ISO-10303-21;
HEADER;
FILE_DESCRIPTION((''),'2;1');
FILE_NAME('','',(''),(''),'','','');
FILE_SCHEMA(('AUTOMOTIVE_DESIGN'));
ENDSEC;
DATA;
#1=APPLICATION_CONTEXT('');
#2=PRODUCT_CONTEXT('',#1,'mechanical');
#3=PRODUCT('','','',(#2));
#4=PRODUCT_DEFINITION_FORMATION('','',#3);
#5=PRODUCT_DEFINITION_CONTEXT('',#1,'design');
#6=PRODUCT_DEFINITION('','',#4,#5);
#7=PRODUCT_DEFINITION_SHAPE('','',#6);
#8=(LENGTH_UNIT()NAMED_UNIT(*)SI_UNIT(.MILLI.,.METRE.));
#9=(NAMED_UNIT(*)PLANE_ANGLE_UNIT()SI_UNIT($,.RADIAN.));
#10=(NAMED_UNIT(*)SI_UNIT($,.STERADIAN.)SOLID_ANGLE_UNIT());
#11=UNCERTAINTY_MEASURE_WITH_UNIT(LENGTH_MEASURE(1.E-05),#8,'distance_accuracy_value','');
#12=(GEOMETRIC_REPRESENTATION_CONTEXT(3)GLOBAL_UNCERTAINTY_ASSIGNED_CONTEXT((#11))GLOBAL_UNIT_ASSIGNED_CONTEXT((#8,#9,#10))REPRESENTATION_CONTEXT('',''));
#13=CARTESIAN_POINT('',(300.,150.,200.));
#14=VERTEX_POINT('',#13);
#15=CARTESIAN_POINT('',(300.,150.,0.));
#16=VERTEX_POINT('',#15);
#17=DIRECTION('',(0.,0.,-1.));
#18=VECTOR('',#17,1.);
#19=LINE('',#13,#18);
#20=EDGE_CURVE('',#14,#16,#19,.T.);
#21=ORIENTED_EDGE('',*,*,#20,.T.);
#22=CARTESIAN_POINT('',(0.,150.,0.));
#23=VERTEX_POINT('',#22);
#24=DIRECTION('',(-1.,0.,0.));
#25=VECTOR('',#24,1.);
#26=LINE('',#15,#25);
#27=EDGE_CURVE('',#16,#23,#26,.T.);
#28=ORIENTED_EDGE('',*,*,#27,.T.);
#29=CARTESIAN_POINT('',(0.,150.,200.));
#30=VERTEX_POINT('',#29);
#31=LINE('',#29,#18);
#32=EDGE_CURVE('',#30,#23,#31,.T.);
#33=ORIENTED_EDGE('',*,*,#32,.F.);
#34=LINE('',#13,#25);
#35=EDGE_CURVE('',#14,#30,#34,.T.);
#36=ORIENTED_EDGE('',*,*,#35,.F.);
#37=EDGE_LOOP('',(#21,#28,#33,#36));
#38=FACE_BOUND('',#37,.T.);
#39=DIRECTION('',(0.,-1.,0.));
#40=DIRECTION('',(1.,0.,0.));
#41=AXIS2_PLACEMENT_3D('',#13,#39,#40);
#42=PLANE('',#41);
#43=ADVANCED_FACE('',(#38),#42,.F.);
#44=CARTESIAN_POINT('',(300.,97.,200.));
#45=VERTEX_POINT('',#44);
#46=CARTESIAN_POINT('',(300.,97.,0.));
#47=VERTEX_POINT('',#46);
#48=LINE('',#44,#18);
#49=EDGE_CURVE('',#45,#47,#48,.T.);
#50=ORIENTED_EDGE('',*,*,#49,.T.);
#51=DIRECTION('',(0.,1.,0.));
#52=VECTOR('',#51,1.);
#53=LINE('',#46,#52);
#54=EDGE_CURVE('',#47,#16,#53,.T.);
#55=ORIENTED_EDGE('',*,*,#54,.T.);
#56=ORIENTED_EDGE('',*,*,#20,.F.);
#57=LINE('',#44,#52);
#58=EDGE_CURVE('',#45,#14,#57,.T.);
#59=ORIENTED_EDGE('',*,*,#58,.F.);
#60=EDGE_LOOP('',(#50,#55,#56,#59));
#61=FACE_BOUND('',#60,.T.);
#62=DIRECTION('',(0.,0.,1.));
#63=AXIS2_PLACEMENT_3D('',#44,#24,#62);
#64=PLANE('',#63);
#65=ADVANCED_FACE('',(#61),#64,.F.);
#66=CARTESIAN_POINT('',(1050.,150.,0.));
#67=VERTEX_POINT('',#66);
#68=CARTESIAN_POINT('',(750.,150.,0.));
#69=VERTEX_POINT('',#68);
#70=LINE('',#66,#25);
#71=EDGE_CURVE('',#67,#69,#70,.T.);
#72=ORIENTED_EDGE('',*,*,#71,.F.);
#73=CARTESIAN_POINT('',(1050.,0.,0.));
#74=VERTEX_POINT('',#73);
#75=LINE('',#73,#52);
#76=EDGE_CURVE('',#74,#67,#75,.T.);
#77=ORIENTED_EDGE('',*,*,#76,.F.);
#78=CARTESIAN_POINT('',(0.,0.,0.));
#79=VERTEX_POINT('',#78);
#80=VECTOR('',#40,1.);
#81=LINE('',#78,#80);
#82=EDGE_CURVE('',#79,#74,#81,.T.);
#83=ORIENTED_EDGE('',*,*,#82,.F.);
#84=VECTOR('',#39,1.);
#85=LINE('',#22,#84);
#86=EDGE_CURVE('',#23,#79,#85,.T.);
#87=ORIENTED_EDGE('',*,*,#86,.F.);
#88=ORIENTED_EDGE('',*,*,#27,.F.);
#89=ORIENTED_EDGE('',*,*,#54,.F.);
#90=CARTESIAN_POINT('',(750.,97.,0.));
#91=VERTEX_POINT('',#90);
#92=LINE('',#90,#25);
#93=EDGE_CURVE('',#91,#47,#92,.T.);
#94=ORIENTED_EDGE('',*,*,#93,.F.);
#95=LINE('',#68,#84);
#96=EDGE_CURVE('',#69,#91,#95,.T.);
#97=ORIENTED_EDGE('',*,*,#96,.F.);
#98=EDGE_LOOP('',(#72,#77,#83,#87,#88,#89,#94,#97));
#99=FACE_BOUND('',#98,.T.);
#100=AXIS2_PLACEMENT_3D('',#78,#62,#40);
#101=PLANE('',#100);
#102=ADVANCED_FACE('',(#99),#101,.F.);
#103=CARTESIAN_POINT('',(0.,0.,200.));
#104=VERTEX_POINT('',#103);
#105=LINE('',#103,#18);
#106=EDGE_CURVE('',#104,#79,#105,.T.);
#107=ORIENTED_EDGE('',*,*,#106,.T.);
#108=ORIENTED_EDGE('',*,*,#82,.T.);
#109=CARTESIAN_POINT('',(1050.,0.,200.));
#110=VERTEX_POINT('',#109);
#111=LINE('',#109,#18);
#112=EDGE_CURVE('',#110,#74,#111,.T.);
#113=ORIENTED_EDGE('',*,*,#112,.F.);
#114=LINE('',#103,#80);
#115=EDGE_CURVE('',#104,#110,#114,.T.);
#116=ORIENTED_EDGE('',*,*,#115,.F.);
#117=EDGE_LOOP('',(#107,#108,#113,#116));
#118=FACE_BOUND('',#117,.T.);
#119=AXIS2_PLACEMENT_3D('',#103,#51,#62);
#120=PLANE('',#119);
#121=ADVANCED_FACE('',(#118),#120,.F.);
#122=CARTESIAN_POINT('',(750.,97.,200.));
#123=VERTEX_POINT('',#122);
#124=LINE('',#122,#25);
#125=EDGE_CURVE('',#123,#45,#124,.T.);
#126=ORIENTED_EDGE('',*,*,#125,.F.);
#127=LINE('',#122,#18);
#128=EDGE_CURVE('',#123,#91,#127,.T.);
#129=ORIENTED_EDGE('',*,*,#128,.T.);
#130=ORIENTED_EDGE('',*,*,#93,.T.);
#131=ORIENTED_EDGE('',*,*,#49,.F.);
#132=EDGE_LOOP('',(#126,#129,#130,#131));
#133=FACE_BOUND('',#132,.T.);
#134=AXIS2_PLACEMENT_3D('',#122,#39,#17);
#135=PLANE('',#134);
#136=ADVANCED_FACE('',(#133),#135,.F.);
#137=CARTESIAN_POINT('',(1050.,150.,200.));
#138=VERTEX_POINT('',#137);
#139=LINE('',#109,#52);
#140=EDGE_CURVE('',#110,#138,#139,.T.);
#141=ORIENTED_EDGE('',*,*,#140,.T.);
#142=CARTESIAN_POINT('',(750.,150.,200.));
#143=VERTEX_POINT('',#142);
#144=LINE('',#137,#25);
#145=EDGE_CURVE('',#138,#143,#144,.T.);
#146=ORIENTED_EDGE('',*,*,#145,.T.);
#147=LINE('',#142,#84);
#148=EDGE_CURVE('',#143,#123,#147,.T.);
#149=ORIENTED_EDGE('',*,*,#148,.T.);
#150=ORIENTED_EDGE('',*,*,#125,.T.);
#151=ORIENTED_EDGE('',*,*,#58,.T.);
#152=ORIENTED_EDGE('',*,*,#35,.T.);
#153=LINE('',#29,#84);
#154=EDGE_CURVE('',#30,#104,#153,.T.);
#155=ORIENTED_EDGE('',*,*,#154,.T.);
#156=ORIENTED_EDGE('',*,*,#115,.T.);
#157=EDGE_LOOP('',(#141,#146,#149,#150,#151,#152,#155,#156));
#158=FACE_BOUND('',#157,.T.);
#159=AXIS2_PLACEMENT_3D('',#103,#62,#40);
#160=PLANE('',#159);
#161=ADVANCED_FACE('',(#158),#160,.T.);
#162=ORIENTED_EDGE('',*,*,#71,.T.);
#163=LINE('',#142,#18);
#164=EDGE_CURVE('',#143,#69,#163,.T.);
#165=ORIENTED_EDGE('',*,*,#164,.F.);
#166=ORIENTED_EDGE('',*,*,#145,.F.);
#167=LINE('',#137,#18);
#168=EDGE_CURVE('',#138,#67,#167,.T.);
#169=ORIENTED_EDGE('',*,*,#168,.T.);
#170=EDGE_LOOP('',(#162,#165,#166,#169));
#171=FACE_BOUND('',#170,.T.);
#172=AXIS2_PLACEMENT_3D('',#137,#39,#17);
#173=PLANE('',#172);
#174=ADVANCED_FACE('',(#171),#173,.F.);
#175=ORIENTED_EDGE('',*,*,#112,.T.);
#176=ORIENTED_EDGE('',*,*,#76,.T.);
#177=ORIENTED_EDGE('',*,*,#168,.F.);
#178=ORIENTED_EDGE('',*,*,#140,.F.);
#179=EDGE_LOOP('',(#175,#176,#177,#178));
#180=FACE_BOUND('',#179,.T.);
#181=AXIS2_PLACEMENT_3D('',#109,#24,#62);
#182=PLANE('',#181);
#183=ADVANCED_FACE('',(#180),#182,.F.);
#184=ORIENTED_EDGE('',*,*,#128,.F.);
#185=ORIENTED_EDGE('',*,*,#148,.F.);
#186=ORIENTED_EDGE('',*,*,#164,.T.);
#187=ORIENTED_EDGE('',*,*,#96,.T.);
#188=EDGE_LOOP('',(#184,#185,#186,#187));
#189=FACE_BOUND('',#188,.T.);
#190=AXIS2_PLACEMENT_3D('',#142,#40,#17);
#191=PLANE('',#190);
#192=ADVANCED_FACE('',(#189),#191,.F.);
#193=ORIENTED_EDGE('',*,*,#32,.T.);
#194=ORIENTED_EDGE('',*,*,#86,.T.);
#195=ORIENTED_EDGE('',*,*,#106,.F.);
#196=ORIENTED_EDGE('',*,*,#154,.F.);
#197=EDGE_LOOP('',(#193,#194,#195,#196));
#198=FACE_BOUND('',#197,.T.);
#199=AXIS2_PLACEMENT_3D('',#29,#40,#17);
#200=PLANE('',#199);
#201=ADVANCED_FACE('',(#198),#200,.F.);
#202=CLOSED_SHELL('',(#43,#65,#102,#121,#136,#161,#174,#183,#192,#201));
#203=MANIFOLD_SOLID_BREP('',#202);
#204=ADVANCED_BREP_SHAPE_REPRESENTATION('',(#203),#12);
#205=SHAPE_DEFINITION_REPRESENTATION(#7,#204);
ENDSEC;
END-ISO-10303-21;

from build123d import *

# Parameters (mm, degrees)
EXTRUDE_1_DEPTH = 200


with BuildPart() as part:
    # 草图1 → 凸台-拉伸1 (new body)
    with BuildSketch(Plane.XY):
        Polygon((0, 0), (1050, 0), (1050, 150), (750, 150), (750, 97), (300, 97), (300, 150), (0, 150), align=None)
    extrude(amount=EXTRUDE_1_DEPTH)


solid = part.part
